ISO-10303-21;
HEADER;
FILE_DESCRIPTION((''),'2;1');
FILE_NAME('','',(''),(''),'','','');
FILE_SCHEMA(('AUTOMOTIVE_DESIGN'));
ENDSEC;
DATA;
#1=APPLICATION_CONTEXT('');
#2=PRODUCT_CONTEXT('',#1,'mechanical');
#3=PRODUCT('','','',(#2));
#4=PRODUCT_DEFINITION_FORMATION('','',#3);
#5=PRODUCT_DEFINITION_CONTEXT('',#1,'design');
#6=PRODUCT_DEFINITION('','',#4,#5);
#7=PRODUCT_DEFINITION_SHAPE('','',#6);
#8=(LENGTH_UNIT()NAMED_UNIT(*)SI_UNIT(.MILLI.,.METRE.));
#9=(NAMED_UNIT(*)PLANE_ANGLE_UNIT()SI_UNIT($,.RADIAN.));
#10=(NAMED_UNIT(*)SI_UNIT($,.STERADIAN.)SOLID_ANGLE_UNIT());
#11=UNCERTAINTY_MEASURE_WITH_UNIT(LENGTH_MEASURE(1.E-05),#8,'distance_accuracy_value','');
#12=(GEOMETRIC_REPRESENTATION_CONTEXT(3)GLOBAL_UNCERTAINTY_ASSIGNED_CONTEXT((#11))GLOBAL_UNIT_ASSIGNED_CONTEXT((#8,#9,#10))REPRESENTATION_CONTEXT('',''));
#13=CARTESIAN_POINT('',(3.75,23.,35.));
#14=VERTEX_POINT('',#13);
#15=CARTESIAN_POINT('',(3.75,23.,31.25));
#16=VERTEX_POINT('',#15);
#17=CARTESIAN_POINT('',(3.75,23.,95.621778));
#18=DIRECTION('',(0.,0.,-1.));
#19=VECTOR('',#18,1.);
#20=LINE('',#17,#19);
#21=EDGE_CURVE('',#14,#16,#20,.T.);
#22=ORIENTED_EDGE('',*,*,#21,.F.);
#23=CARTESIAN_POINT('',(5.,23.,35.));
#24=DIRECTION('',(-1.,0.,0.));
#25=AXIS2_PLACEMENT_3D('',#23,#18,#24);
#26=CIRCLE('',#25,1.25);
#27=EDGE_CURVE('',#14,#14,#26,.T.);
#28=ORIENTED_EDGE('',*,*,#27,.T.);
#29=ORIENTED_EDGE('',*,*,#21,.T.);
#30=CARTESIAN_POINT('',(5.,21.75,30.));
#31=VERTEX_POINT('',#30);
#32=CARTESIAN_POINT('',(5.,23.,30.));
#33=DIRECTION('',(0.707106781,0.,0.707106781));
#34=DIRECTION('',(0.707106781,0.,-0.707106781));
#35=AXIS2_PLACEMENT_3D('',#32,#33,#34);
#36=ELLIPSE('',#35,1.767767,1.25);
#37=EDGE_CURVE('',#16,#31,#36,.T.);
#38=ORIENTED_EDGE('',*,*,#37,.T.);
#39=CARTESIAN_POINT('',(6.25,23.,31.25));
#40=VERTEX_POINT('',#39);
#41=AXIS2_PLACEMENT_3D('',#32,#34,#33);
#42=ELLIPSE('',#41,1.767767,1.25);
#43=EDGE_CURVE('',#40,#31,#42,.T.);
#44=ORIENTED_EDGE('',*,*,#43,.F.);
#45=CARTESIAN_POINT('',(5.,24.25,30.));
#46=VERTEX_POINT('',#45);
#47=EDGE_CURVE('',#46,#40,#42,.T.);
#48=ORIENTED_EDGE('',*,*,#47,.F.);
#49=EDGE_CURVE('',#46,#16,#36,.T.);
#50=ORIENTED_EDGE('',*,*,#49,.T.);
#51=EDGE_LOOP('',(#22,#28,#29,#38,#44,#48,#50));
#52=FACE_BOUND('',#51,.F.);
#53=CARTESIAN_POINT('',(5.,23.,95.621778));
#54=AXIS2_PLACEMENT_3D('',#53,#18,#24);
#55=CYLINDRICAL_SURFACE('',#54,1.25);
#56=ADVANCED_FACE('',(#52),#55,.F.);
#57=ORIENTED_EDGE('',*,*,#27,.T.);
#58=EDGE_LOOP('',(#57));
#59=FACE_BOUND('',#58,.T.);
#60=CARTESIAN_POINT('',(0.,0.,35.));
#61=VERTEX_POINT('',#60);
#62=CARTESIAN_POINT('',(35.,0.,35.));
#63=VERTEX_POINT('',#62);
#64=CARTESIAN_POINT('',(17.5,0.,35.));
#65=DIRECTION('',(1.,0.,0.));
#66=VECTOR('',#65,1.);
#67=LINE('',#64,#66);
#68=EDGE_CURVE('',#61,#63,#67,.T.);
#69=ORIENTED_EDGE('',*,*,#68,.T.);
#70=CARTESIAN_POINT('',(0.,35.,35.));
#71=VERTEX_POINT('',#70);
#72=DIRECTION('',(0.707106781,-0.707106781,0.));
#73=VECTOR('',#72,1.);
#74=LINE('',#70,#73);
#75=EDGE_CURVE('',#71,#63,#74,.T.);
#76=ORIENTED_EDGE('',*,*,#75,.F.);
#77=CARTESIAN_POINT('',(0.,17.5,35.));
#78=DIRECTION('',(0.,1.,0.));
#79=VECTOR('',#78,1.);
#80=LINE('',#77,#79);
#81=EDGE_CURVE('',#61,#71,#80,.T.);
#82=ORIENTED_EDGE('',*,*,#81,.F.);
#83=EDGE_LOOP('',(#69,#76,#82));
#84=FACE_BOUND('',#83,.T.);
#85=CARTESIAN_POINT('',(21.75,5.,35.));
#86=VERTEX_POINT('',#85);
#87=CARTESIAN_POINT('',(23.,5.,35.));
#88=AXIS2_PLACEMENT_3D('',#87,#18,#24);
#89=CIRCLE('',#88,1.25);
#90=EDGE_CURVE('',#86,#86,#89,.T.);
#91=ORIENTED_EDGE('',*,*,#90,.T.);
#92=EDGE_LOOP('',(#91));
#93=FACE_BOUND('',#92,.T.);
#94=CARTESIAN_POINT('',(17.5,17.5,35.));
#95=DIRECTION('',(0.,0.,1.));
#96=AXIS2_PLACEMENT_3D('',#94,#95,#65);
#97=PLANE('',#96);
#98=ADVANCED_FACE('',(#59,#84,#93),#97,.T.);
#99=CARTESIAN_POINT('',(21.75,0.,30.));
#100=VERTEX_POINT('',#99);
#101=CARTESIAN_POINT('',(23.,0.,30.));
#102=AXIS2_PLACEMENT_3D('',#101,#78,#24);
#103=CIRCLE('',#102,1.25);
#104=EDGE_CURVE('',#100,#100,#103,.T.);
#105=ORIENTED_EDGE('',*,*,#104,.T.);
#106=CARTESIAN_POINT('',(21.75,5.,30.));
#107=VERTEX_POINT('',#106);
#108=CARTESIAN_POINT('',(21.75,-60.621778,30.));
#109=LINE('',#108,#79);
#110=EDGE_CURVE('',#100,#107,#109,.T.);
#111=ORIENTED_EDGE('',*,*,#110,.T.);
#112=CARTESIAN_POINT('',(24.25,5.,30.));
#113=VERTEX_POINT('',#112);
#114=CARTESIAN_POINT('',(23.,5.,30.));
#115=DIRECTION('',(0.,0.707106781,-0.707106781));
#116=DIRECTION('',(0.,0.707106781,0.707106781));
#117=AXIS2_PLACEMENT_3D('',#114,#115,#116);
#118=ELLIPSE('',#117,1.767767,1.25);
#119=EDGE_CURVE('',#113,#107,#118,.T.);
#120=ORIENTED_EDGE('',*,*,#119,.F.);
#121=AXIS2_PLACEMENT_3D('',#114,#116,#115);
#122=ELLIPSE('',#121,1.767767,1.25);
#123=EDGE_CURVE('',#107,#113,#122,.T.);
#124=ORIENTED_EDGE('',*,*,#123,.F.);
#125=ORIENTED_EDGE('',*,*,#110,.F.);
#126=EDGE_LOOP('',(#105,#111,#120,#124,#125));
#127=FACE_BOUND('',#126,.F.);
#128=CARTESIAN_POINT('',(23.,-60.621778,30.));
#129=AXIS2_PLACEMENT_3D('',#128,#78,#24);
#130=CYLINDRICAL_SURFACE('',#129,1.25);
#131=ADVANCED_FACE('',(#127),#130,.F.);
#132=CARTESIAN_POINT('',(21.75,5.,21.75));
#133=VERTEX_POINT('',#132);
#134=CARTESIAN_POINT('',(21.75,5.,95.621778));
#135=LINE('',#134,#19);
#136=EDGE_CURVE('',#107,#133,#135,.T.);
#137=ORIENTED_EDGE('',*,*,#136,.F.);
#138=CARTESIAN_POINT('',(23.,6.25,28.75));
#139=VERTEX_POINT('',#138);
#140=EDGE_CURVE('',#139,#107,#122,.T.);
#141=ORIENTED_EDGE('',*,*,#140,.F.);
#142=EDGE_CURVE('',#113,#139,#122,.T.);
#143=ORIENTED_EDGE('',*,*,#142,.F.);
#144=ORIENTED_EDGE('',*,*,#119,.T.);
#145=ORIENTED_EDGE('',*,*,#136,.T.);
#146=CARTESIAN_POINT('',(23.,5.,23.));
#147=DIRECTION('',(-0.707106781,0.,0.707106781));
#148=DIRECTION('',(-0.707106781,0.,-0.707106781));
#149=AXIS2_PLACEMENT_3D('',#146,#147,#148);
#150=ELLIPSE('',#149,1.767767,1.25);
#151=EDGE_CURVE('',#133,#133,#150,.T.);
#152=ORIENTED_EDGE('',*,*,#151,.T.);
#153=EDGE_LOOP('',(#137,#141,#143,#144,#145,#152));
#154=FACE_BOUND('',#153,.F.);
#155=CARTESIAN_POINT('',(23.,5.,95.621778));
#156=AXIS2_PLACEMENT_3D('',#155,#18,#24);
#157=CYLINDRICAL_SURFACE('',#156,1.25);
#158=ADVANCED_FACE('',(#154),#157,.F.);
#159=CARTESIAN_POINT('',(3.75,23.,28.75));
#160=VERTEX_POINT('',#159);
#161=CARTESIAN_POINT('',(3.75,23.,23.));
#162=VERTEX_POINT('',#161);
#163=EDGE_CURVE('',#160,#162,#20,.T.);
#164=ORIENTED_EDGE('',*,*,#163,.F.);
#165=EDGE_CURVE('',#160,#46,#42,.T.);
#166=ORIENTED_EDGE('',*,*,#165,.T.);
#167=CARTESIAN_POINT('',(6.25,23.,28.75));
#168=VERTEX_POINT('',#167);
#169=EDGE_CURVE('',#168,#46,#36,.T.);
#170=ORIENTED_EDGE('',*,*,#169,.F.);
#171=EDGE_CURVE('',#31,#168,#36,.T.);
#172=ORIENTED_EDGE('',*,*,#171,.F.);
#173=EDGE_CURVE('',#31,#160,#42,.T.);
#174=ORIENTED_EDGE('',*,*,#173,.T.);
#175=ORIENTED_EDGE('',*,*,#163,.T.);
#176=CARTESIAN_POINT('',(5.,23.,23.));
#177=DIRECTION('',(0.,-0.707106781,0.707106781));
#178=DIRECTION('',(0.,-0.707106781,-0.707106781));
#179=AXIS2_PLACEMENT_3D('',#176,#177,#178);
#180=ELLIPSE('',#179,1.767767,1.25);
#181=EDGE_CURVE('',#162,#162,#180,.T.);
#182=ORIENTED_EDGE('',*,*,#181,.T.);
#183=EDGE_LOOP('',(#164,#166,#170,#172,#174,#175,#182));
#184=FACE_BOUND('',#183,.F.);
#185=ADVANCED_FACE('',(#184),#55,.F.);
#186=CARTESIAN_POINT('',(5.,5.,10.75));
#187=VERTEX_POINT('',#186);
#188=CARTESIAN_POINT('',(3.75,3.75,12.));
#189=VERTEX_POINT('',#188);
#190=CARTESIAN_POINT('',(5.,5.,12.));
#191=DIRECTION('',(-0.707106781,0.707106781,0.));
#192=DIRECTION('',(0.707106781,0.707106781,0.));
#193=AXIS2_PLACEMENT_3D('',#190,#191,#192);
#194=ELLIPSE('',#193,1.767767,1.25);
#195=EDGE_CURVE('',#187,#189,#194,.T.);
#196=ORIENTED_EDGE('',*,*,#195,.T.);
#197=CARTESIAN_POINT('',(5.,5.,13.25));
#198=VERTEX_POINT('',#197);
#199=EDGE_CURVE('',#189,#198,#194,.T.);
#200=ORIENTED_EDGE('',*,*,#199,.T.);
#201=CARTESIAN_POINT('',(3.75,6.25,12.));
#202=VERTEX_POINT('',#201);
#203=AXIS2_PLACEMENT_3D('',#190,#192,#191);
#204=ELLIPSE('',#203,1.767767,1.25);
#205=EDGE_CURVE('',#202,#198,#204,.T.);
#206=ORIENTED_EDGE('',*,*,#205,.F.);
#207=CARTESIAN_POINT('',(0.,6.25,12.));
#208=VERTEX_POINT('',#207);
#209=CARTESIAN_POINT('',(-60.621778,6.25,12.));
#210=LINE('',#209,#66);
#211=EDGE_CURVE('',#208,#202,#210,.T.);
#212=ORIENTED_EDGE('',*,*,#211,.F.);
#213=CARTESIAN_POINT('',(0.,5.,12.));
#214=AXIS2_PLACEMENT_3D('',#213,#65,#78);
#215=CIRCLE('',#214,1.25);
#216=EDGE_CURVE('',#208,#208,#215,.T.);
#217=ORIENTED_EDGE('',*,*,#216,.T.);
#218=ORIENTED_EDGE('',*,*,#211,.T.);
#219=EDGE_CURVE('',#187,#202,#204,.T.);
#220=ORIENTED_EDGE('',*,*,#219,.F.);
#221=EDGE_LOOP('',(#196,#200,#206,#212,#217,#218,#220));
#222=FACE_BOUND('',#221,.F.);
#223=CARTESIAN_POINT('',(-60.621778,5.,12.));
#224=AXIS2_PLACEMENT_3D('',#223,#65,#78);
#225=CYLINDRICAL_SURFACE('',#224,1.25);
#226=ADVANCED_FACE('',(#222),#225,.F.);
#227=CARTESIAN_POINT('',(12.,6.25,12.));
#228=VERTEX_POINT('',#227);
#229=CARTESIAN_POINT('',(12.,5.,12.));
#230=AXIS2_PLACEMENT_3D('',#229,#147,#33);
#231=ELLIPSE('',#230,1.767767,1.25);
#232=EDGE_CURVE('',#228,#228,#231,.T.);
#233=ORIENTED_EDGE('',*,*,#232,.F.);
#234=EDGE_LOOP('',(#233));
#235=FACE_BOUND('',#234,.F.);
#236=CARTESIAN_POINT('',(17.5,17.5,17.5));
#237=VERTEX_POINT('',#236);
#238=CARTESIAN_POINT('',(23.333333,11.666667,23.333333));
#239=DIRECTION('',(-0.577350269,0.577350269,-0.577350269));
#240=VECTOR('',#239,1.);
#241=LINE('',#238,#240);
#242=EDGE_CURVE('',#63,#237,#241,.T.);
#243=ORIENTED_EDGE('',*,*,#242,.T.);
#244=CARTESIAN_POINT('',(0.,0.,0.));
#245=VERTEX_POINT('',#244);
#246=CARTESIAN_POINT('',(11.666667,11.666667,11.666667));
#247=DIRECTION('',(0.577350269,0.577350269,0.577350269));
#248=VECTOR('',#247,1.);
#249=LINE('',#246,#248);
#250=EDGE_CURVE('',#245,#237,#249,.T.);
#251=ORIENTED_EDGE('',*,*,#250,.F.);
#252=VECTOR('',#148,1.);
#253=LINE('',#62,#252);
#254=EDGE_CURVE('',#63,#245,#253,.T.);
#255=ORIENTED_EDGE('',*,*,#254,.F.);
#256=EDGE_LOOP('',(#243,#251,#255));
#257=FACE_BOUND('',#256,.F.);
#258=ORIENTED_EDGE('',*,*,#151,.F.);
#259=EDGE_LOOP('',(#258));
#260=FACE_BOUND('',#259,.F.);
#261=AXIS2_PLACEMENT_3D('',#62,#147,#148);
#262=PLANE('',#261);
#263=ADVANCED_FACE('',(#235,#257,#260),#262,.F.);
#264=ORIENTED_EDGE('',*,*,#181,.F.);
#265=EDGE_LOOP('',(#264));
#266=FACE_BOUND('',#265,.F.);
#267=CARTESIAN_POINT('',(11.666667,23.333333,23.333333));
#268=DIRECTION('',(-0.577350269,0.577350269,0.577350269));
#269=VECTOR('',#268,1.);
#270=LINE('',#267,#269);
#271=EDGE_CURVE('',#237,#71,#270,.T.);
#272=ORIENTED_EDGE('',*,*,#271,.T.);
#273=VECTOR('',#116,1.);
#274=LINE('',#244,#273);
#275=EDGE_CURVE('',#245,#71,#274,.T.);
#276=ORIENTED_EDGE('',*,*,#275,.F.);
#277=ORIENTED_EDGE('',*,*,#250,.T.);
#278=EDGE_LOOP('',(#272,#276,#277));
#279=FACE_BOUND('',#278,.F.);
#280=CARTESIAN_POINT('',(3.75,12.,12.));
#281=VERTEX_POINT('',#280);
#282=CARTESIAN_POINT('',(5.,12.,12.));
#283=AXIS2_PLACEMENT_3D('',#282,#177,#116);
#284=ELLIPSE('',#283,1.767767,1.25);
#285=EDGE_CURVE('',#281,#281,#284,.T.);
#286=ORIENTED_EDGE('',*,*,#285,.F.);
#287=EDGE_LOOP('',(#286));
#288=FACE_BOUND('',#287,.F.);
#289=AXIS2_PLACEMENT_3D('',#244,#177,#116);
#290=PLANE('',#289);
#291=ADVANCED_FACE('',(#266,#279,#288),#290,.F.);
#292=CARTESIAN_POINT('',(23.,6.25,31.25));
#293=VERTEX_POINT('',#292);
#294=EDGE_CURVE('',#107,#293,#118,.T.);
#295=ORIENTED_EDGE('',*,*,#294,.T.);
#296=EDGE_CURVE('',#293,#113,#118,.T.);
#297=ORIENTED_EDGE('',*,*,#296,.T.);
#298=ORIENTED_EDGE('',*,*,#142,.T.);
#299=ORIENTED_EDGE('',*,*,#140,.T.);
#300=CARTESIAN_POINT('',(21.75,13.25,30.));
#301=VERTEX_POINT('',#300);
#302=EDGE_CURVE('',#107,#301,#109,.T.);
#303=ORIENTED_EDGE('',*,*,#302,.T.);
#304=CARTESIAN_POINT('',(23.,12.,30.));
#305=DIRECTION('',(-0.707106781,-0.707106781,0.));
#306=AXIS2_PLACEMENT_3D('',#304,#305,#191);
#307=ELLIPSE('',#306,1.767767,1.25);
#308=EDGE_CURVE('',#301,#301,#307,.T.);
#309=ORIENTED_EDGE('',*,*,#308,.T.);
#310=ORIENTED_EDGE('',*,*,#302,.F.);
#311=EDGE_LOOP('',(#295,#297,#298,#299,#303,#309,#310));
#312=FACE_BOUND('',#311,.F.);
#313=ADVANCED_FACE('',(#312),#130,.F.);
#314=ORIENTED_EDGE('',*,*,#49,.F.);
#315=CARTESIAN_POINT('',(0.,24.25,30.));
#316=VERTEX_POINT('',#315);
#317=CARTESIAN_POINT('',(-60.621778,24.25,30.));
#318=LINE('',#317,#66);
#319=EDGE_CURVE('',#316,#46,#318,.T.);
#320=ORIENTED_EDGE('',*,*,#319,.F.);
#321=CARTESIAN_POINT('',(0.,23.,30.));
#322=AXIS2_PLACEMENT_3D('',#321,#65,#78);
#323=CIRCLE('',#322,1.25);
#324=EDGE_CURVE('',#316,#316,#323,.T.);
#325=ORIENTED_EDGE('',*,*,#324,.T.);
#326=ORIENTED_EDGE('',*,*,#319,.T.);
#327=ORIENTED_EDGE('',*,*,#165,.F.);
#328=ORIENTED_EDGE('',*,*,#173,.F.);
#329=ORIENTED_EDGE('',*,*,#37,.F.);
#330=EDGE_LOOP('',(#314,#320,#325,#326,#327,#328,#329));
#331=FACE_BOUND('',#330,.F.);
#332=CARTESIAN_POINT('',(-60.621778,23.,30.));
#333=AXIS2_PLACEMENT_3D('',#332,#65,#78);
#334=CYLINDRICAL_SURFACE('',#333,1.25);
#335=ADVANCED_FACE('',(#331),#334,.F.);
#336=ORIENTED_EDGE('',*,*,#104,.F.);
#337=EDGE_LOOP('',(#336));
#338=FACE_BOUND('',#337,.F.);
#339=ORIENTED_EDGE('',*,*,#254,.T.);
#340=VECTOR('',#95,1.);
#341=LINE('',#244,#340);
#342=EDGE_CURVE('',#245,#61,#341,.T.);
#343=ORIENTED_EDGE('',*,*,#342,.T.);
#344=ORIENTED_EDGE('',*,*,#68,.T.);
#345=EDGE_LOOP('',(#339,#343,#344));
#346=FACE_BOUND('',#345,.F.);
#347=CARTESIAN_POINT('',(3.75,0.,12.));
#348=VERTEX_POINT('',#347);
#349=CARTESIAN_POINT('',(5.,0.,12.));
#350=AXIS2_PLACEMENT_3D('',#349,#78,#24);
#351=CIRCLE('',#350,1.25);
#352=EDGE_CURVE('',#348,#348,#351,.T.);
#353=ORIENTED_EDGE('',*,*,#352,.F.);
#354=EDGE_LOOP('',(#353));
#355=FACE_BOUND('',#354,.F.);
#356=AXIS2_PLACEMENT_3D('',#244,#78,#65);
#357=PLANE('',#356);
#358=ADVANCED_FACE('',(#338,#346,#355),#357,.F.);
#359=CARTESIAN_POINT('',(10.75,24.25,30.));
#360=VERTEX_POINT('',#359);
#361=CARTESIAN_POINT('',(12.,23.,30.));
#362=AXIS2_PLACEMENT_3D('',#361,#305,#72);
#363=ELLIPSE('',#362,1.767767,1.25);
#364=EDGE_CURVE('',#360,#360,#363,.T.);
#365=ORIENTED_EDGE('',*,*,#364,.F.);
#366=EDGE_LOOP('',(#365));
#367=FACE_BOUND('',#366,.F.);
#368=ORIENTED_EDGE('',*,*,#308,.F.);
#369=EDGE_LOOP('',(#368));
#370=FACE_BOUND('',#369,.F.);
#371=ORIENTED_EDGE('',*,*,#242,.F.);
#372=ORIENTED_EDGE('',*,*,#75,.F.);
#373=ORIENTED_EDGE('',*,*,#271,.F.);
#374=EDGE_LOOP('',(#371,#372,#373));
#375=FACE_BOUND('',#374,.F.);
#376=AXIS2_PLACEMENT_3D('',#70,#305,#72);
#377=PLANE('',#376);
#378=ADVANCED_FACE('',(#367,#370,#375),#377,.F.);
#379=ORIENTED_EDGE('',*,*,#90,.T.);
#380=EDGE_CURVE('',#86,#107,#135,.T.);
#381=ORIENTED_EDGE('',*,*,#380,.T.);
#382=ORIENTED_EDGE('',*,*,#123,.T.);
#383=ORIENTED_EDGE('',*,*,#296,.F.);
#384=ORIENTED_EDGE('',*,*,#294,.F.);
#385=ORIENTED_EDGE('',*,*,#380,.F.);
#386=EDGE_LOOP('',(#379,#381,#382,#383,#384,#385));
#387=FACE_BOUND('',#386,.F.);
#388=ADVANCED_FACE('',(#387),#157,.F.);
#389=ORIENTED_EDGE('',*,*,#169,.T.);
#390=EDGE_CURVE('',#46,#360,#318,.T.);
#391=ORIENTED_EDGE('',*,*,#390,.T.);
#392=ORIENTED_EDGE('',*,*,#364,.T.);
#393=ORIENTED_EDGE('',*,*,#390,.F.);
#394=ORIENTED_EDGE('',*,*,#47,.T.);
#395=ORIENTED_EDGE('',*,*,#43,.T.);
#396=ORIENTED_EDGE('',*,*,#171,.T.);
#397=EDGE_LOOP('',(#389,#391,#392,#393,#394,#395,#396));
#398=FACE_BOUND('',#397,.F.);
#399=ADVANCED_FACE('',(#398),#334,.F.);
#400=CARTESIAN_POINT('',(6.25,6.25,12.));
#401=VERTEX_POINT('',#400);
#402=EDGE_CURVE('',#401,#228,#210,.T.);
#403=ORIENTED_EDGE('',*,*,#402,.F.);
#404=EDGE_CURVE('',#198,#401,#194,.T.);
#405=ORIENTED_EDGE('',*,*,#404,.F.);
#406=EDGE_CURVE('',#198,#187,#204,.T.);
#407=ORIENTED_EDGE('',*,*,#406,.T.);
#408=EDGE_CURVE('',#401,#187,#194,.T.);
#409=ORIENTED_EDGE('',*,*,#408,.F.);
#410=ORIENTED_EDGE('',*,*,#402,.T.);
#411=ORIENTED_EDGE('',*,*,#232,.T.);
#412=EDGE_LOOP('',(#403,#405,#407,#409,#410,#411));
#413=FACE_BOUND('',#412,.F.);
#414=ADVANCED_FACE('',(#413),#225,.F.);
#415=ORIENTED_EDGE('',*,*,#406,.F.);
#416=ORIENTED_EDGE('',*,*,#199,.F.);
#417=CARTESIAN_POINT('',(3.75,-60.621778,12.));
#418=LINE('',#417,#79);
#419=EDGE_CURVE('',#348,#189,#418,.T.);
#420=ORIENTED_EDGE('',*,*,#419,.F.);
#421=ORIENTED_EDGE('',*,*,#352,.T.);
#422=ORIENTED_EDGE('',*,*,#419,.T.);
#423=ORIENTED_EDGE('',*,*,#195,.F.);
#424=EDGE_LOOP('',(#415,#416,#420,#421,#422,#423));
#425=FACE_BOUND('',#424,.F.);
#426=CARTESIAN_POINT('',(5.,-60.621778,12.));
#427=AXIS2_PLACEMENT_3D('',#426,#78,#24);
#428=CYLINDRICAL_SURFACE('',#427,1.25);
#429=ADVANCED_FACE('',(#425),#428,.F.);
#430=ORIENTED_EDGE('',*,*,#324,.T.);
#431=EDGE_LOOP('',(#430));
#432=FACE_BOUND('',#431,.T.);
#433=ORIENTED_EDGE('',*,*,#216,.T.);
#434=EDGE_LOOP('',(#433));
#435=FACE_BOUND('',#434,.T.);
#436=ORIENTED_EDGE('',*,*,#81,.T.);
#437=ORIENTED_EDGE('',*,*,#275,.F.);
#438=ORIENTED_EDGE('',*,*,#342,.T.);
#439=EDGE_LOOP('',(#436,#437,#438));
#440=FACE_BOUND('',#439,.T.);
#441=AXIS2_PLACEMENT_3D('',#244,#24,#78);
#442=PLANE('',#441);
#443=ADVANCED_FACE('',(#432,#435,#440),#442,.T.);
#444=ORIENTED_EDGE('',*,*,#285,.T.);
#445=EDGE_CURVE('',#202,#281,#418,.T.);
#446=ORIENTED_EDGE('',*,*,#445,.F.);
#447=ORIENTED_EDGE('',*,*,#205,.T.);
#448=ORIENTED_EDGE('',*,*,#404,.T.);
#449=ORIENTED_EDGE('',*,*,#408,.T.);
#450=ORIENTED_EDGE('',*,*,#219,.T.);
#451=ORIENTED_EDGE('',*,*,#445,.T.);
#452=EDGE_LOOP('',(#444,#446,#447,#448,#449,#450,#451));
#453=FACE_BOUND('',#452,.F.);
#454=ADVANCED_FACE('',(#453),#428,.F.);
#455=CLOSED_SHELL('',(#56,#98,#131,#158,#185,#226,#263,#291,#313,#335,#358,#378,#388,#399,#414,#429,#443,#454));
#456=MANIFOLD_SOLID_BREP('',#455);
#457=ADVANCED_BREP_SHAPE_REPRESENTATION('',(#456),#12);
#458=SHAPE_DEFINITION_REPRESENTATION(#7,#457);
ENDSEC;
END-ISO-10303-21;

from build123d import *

# Parameters (mm, degrees)
F0_W     = 35
F0_H     = 35
F1_DEPTH = 35
F3_DEPTH = 35.001
F5_DEPTH = 35.001
F7_DEPTH = 35.001
F9_D     = 2.5
F11_D    = 2.5
F13_D    = 2.5


with BuildPart() as f1:
    # F0 (on Top) → F1 (new body)
    with BuildSketch(Plane.XY):
        with Locations((17.5, 17.5)):
            Rectangle(F0_W, F0_H)
    extrude(amount=F1_DEPTH)

    # F2 (on face) → F3 (cut, through all)
    with BuildSketch(Plane.XY.offset(35)):
        Polygon((35, 35), (0, 35), (35, 0), align=None)
    extrude(amount=-F3_DEPTH, mode=Mode.SUBTRACT)

    # F4 (on face) → F5 (cut, through all)
    with BuildSketch(Plane.XZ):
        Polygon((35, 35), (0, 0), (35, 0), align=None)
    extrude(amount=-F5_DEPTH, mode=Mode.SUBTRACT)

    # F6 (on face) → F7 (cut, through all)
    with BuildSketch(Plane(origin=(0, 0, 0), x_dir=(0, -1, 0), z_dir=(-1, 0, 0))):
        Polygon((-35, 0), (0, 0), (-35, 35), align=None)
    extrude(amount=-F7_DEPTH, mode=Mode.SUBTRACT)

    # F9 (through all)
    with Locations(Plane.XZ):
        with Locations((23, 30), (5, 12)):
            Hole(F9_D / 2)

    # F11 (through all)
    with Locations(Plane(origin=(0, 0, 0), x_dir=(0, -1, 0), z_dir=(-1, 0, 0))):
        with Locations((-23, 30), (-5, 12)):
            Hole(F11_D / 2)

    # F13 (through all)
    with Locations(Plane.XY.offset(35)):
        with Locations((5, 23), (23, 5)):
            Hole(F13_D / 2)


solid = f1.part
